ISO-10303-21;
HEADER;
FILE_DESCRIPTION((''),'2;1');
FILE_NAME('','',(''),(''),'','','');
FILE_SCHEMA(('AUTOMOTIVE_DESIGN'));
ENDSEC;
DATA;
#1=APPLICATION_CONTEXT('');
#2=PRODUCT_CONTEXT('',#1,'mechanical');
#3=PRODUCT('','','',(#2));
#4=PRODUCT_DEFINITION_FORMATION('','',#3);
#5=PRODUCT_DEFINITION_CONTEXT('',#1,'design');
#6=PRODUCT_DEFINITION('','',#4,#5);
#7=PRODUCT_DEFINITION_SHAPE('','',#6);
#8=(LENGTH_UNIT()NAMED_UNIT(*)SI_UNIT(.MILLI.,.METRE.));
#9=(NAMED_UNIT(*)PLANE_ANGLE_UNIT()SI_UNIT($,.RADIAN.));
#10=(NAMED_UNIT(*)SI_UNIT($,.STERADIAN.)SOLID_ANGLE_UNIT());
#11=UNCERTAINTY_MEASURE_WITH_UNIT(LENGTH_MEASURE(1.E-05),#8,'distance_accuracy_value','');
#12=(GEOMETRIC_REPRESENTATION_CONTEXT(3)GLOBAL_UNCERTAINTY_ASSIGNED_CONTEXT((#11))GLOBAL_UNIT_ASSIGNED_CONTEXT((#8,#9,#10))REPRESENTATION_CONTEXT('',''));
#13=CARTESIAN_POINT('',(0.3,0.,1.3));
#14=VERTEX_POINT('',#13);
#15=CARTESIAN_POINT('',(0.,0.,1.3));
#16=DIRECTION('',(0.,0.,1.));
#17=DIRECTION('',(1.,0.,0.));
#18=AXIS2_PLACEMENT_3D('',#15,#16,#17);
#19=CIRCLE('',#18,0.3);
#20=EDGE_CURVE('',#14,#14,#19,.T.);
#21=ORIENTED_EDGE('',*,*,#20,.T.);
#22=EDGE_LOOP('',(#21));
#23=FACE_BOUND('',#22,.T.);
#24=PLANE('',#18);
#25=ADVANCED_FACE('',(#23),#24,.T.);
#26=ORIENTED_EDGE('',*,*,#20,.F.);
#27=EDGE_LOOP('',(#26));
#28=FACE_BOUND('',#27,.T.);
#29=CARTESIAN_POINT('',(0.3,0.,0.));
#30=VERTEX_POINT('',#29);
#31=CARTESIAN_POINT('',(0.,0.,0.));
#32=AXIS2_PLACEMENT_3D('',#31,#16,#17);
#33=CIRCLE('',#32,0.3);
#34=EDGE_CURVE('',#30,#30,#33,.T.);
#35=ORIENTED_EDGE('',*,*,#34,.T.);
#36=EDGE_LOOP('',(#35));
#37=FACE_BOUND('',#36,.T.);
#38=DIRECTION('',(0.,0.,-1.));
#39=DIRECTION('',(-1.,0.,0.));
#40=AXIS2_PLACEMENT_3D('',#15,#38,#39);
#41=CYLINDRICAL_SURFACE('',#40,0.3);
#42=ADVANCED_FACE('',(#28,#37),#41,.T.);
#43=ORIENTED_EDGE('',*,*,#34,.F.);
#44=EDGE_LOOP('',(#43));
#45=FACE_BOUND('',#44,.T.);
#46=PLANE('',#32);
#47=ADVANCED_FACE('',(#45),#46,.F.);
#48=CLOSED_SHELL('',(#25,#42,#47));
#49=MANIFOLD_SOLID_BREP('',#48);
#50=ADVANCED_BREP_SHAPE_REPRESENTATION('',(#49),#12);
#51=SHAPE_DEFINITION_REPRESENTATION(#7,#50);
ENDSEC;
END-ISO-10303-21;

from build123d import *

# Parameters (mm, degrees)
SKETCH2_R           = 0.3
BOSS_EXTRUDE2_DEPTH = 1.3


with BuildPart() as part:
    # Sketch2 → Boss-Extrude2 (new body)
    with BuildSketch(Plane.XY):
        Circle(SKETCH2_R)
    extrude(amount=BOSS_EXTRUDE2_DEPTH)


solid = part.part
